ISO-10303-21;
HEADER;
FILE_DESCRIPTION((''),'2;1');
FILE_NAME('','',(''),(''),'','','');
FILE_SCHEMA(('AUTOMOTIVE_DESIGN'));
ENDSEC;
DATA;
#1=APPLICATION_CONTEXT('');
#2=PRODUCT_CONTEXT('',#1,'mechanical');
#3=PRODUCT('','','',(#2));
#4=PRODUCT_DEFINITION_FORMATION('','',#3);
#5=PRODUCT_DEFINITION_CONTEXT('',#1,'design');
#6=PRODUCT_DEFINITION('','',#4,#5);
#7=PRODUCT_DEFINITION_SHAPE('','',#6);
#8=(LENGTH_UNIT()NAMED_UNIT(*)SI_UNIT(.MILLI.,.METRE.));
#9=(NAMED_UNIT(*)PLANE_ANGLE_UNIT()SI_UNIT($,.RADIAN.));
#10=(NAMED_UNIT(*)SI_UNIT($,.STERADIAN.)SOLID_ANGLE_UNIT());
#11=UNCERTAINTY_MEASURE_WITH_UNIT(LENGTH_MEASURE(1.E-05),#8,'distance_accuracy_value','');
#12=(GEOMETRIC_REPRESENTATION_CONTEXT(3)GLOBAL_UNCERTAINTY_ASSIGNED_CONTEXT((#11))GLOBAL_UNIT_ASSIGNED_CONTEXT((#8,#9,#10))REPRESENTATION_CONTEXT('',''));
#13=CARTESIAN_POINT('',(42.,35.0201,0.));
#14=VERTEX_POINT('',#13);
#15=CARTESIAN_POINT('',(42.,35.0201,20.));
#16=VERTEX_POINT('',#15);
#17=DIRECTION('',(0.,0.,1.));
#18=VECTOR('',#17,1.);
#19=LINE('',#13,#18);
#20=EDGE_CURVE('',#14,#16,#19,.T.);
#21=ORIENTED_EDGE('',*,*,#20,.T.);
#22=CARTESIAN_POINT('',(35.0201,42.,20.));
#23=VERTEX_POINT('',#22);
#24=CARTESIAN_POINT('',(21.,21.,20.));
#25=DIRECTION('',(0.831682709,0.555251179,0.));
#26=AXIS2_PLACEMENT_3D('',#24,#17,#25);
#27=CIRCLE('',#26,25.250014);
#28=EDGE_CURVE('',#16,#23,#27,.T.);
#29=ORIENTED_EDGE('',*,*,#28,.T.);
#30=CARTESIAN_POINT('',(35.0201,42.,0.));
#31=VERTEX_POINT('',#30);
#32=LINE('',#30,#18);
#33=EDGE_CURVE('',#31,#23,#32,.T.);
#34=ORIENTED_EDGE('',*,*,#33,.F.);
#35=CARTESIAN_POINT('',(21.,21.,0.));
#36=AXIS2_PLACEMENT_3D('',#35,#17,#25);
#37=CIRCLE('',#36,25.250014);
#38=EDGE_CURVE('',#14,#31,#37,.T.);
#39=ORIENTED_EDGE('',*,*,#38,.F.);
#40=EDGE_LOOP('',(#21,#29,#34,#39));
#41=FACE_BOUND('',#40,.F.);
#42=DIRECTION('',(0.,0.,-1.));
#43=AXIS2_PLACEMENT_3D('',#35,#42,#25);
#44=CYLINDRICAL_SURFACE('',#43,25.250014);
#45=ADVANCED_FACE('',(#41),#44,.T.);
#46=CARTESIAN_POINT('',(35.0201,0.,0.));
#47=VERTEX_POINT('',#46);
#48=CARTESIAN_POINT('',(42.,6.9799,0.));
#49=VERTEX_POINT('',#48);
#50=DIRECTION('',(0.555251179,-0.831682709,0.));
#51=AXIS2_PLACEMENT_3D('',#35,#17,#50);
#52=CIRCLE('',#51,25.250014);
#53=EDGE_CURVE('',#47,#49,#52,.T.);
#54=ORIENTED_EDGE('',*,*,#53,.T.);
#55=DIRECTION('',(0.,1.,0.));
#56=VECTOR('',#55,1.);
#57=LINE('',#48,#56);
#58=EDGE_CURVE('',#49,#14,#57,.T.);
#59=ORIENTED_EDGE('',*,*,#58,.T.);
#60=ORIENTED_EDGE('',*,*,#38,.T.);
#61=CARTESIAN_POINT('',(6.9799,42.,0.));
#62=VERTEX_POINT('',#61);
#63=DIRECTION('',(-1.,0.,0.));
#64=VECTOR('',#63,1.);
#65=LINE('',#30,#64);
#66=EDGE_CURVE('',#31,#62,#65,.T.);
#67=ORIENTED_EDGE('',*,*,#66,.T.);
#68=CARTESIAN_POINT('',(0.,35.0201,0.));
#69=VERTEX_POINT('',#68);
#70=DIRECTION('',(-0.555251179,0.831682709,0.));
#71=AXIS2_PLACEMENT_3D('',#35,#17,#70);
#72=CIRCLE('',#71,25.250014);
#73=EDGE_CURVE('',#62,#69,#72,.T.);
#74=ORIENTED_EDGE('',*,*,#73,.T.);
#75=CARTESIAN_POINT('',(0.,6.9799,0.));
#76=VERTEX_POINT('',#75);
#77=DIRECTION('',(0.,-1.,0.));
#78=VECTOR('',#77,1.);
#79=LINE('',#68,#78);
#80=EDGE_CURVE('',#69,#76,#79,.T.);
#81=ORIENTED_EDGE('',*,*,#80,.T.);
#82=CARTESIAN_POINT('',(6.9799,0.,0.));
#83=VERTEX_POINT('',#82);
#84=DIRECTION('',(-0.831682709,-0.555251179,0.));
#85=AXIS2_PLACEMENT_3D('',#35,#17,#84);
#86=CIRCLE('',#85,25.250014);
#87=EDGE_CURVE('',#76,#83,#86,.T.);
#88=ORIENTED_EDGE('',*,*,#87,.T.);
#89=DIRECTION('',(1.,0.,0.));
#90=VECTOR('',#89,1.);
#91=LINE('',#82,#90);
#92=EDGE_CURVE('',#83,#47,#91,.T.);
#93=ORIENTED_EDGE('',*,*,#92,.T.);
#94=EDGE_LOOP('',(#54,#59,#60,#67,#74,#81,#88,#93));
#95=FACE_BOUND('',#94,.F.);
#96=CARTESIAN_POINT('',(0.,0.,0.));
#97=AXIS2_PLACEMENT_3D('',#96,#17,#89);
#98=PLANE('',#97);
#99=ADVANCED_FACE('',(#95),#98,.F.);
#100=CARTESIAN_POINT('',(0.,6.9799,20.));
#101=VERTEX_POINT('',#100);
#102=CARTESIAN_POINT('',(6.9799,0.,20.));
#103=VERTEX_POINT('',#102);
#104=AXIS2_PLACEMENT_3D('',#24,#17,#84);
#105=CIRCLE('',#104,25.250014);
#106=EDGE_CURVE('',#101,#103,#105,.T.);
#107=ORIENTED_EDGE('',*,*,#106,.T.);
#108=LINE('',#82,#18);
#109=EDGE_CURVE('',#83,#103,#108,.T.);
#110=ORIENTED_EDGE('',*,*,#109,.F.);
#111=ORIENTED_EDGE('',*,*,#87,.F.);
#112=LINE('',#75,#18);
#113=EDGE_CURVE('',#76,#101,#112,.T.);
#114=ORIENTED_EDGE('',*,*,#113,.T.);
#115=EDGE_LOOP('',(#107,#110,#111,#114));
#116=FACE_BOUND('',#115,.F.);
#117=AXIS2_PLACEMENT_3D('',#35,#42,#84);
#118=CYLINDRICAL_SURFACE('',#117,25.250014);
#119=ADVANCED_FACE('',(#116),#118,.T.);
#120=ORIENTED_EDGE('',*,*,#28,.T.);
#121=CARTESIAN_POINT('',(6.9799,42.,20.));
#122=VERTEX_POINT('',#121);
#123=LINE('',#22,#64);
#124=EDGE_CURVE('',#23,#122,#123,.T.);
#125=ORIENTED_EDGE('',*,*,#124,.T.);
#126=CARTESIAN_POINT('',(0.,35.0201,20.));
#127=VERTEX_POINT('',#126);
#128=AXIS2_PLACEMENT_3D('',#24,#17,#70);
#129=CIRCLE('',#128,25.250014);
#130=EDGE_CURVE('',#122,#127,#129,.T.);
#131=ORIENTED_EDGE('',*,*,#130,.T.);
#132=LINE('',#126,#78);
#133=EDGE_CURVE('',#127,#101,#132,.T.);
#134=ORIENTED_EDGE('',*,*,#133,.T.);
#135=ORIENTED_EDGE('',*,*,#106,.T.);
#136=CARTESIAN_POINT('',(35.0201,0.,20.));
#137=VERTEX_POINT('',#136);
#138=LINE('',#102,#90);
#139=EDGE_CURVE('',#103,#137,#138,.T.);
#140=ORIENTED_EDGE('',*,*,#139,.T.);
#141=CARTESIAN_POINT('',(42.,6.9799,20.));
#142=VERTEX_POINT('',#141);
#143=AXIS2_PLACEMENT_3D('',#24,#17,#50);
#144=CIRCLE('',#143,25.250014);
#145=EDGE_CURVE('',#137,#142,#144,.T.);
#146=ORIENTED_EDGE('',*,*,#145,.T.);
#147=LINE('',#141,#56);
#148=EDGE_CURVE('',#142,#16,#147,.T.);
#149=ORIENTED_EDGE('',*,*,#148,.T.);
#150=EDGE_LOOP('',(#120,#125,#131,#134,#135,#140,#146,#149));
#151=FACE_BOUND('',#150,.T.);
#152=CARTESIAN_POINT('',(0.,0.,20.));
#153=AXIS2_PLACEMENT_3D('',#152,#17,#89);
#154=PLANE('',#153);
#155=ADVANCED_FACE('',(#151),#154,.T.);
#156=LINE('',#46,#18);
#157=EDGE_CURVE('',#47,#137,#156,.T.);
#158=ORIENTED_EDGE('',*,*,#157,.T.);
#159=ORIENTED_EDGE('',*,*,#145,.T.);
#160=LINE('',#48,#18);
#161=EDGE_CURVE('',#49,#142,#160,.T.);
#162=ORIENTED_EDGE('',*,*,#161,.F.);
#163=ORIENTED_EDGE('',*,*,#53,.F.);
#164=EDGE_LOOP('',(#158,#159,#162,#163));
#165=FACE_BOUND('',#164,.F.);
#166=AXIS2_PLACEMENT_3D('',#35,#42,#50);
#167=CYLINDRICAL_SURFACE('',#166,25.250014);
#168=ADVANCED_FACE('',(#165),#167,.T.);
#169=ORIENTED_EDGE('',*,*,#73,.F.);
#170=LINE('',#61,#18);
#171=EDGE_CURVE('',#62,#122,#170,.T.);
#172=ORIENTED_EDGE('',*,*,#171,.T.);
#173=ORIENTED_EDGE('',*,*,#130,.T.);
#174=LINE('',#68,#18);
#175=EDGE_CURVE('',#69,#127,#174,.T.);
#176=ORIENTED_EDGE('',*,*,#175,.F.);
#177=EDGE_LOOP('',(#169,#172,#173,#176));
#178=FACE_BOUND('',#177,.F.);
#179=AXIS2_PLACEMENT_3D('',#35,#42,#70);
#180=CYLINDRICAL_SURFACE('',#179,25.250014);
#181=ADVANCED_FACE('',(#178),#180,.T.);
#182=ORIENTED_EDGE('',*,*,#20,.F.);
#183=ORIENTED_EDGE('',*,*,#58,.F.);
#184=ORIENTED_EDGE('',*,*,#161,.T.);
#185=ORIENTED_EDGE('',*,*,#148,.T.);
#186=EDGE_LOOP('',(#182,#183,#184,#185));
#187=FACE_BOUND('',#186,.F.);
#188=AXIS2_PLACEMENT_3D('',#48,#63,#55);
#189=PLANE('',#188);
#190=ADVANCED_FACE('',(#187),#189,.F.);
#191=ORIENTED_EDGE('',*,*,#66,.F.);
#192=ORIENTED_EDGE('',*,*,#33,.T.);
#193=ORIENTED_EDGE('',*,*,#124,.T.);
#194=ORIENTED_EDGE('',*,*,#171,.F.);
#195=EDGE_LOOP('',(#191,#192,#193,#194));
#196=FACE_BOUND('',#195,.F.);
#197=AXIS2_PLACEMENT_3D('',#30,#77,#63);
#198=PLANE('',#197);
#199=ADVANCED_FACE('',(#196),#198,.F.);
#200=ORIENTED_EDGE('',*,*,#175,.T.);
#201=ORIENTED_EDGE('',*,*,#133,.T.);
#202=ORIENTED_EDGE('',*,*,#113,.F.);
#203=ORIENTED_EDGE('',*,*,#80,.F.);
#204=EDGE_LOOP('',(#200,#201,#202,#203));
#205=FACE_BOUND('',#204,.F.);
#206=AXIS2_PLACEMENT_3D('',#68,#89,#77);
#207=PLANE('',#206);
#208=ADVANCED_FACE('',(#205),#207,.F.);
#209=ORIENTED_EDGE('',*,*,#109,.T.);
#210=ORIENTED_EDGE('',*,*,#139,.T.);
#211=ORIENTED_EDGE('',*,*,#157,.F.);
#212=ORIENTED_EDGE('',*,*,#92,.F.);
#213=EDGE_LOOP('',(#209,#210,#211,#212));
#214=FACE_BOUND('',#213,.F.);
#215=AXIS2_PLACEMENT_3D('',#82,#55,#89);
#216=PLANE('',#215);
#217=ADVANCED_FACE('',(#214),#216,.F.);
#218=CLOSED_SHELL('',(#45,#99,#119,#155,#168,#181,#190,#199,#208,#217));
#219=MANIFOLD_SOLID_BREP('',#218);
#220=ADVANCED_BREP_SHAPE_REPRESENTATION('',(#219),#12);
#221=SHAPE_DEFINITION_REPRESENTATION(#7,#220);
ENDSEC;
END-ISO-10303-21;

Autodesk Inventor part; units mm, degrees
ref_plane "YZ Plane" through (0, 0, 0) normal (1, 0, 0) x (0, 1, 0)
ref_plane "XZ Plane" through (0, 0, 0) normal (0, 1, 0) x (-1, 0, 0)
ref_plane "XY Plane" through (0, 0, 0) normal (0, 0, 1) x (1, 0, 0)
sketch "Sketch1" plane through (0, 0, 0) normal (0, 0, 1) x (1, 0, 0)
  line L0 (6.9799, 0) -> (35.0201, 0)
  line L1 (42, 6.9799) -> (42, 35.0201)
  line L2 (35.0201, 42) -> (6.9799, 42)
  line L3 (0, 35.0201) -> (0, 6.9799)
  arc A0 (42, 35.0201) -> (35.0201, 42) centre (21, 21) ccw
  arc A1 (35.0201, 0) -> (42, 6.9799) centre (21, 21) ccw
  arc A2 (6.9799, 42) -> (0, 35.0201) centre (21, 21) ccw
  arc A3 (0, 6.9799) -> (6.9799, 0) centre (21, 21) ccw
  dimension "d11" = 42
  dimension "d12" = 42
extrude "Extrusion1" add sketch "Sketch1" along normal blind 20
properties part number "stepper_middle"
